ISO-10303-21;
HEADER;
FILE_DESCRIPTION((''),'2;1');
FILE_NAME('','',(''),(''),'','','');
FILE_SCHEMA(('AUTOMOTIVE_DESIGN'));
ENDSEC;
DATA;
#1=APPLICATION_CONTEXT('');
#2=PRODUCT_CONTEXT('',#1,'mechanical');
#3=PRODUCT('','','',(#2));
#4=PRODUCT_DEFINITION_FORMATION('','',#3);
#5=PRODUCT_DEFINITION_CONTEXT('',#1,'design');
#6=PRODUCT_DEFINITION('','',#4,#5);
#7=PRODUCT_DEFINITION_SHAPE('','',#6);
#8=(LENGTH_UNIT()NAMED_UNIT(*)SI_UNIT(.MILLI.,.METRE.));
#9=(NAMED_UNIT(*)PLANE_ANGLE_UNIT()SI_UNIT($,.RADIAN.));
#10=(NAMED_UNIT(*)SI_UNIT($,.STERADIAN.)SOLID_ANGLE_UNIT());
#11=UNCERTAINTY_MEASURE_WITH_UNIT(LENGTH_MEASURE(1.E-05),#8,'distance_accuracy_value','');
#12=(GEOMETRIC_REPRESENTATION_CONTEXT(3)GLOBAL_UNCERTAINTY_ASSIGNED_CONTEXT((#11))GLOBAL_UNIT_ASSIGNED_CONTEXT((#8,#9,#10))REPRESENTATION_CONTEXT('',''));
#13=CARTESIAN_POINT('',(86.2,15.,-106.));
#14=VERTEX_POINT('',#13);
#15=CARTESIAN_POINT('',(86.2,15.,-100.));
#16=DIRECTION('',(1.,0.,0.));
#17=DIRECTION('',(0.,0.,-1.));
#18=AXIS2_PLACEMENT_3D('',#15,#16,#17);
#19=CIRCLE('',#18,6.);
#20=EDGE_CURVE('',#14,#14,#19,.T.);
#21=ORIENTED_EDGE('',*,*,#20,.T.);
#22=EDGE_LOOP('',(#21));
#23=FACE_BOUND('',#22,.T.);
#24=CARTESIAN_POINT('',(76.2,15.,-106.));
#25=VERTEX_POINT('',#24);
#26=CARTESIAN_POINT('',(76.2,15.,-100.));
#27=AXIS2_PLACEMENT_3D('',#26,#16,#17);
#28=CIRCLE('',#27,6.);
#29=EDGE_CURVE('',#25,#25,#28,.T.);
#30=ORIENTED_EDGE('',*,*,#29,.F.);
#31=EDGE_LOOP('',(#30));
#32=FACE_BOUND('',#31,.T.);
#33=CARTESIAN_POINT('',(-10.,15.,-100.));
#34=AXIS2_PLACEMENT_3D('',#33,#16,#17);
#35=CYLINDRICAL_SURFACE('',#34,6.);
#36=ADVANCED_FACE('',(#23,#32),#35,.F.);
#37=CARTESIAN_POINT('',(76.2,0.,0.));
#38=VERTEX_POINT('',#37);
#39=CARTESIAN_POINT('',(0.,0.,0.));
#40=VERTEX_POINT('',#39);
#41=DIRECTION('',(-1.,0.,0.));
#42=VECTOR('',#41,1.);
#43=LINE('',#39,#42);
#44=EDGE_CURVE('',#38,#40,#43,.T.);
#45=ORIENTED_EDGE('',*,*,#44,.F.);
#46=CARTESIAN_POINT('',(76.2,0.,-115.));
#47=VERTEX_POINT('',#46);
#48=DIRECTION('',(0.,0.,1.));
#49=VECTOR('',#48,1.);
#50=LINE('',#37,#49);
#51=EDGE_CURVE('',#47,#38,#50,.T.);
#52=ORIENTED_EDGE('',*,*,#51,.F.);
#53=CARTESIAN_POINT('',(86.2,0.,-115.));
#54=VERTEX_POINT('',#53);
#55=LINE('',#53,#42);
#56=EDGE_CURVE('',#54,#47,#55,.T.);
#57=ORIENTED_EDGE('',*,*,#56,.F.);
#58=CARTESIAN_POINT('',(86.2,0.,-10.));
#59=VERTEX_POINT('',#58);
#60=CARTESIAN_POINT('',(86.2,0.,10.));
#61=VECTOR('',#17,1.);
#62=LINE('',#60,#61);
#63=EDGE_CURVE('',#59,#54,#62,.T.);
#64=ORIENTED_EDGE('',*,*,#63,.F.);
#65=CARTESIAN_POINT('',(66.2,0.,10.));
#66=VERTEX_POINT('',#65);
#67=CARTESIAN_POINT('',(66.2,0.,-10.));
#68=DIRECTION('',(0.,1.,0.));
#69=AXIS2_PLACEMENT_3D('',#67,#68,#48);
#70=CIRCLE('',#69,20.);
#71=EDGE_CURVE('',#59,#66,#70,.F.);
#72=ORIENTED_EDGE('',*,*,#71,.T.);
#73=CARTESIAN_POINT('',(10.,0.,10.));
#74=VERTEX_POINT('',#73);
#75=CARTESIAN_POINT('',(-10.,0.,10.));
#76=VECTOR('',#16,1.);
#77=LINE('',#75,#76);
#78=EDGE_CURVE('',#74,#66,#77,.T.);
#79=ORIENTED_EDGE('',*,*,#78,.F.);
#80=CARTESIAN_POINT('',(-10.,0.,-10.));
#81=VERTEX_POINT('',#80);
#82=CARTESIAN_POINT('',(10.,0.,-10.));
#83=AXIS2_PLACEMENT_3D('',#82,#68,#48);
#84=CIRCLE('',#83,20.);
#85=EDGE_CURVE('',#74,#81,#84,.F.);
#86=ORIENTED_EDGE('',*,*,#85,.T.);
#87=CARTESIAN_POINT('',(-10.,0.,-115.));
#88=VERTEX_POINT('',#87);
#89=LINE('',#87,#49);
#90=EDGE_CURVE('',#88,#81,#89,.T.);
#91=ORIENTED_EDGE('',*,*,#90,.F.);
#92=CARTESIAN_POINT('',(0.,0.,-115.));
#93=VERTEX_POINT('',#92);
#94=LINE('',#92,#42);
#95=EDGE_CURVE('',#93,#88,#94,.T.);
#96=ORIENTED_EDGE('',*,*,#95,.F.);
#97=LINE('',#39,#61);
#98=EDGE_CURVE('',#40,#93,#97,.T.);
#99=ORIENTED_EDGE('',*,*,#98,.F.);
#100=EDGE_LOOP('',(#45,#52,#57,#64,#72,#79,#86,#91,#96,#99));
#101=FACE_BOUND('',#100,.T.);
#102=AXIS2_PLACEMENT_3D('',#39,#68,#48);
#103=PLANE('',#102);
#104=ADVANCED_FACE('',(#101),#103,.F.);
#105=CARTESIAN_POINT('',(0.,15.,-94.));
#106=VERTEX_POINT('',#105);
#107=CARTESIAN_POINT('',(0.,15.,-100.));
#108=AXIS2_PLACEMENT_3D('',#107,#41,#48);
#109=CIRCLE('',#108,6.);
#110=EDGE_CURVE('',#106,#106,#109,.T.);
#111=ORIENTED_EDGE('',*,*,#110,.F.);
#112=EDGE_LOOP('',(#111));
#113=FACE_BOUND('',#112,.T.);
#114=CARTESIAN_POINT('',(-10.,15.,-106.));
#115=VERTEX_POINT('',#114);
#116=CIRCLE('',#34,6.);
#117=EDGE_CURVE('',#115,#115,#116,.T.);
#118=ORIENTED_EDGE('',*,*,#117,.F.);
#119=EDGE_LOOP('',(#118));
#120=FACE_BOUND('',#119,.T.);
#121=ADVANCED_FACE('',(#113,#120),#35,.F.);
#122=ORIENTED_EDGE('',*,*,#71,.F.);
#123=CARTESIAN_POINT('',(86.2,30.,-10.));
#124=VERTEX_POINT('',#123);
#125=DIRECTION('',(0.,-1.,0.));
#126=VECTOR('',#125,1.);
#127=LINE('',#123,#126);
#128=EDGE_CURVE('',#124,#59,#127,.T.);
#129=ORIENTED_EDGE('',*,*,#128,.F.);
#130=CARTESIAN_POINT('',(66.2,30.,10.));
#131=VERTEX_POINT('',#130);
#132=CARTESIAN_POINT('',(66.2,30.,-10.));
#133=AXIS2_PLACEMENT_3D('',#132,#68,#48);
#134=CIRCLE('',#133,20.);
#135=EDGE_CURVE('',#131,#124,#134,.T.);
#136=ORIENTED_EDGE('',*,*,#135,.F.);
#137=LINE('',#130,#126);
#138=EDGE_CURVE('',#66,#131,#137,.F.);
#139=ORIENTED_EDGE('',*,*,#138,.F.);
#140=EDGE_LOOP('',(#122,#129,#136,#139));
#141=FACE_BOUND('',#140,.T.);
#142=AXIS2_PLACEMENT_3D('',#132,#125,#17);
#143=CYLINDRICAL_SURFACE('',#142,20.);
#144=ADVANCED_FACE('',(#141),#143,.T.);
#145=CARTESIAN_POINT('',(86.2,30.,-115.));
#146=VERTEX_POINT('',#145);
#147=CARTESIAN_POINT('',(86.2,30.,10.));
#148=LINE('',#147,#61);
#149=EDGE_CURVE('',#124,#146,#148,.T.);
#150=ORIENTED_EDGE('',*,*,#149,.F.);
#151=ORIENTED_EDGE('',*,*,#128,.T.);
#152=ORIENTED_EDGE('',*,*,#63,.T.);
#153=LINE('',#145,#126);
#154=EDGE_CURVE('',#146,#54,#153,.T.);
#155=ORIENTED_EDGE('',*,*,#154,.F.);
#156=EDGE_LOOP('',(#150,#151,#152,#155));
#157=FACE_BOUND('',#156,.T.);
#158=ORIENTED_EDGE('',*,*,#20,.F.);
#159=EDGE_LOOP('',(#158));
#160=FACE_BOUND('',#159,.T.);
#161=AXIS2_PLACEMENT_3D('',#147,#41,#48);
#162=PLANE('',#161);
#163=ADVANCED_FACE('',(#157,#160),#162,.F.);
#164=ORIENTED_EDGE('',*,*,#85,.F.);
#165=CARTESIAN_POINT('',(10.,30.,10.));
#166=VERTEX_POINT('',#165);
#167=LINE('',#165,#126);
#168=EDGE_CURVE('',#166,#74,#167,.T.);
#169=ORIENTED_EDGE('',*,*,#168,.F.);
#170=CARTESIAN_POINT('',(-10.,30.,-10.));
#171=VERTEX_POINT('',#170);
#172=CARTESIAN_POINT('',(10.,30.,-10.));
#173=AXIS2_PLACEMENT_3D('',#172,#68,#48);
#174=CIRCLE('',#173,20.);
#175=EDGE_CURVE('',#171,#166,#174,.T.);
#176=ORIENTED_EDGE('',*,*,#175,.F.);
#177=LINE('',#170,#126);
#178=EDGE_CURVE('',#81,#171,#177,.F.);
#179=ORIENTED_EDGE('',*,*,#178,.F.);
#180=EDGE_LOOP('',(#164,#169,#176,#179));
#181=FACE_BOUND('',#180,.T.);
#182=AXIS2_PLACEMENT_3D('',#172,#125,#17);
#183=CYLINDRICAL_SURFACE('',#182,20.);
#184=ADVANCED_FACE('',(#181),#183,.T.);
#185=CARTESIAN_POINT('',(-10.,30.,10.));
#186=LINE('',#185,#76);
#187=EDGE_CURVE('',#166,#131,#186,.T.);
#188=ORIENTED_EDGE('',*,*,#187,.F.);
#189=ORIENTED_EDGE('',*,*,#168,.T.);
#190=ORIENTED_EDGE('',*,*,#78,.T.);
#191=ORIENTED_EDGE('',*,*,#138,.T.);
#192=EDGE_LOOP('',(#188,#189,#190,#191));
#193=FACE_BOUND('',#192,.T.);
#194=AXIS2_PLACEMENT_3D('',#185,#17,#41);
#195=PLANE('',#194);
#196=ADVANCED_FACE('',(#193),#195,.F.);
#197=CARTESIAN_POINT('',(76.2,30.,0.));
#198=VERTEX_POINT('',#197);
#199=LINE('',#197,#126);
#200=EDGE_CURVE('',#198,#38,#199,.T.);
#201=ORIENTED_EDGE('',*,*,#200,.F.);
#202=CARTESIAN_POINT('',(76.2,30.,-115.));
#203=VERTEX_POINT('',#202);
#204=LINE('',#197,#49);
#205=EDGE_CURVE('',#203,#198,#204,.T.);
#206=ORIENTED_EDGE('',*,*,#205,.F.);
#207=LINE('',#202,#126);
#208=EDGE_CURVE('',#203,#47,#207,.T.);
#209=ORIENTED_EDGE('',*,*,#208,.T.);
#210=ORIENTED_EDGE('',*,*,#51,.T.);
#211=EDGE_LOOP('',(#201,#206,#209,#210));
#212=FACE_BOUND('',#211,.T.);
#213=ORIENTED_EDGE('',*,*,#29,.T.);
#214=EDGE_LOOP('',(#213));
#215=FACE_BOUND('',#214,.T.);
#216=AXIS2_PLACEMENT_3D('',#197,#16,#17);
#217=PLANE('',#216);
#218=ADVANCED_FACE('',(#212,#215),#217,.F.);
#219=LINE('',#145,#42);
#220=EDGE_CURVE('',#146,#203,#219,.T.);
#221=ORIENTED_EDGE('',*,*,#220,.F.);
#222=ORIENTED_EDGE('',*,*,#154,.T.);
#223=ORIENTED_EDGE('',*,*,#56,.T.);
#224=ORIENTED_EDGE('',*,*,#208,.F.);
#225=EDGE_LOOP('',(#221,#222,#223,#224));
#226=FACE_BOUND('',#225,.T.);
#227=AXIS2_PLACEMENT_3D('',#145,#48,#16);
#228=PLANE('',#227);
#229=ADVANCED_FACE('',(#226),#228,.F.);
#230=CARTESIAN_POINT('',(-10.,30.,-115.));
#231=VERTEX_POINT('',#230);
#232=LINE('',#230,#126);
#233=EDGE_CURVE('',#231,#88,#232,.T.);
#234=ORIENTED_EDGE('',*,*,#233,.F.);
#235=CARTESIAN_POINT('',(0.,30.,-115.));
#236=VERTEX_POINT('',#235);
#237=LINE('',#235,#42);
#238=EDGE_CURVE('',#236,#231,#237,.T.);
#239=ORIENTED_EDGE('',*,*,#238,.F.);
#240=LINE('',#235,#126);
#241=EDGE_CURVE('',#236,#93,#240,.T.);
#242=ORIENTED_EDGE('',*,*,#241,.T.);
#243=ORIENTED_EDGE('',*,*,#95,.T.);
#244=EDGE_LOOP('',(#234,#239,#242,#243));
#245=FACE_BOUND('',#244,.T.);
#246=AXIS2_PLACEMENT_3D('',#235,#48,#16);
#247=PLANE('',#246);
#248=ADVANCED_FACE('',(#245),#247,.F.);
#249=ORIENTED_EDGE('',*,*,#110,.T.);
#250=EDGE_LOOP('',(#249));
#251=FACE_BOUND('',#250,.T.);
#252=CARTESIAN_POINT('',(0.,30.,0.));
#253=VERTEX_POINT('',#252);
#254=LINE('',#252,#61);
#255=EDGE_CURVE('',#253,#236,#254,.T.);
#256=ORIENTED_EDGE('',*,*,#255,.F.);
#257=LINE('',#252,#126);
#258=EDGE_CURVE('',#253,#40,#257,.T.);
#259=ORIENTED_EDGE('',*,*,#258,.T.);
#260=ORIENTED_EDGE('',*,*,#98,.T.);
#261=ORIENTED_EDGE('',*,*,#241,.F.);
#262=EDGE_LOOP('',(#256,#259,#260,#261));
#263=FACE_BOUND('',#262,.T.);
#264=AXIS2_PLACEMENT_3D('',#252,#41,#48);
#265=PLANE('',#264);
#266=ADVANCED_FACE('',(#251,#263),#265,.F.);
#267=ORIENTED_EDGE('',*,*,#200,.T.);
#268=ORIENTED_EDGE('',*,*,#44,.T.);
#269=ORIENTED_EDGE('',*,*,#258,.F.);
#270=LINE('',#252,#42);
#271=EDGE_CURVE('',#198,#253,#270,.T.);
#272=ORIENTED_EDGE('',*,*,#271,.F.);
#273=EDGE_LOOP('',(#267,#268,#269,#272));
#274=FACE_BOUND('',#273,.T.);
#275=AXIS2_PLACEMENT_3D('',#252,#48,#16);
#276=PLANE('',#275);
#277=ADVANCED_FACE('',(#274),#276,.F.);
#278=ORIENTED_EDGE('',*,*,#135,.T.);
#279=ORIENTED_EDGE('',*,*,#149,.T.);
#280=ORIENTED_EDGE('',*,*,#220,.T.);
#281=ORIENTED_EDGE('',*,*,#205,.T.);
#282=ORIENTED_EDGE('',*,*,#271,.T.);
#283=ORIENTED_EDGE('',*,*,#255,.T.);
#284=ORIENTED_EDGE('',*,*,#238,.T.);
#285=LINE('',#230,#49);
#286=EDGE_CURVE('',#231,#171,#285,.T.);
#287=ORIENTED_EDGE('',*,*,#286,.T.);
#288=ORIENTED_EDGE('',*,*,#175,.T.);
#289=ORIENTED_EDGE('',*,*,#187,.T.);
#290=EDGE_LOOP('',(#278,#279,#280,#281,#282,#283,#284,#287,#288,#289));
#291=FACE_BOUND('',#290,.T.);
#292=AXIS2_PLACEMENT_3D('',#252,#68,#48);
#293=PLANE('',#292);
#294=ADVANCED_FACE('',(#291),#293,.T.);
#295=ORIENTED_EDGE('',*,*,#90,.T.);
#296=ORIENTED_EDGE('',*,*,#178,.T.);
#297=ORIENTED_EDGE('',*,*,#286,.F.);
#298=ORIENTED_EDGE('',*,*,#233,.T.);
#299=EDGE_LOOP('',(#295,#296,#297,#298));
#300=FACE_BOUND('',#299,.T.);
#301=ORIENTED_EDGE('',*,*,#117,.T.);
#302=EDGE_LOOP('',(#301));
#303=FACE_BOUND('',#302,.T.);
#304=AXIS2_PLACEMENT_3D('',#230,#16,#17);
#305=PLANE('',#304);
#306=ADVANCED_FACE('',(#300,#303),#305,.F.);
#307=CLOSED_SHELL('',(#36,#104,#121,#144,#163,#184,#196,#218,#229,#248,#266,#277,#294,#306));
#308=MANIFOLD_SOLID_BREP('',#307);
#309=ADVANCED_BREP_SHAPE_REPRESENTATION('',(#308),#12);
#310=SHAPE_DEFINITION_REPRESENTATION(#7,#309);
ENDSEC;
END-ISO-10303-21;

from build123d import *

# Parameters (mm, degrees)
BOSS_EXTRUDE1_DEPTH = 30
FILLET1_R           = 20
SKETCH2_R           = 6
CUT_EXTRUDE1_DEPTH  = 97.2


with BuildPart() as part:
    # Sketch1 → Boss-Extrude1 (new body)
    with BuildSketch(Plane(origin=(0, 0, 0), x_dir=(1, 0, 0), z_dir=(0, 1, 0))):
        Polygon((0, 115), (-10, 115), (-10, -10), (86.2, -10), (86.2, 115), (76.2, 115), (76.2, 0), (0, 0), align=None)
    extrude(amount=BOSS_EXTRUDE1_DEPTH)

    # Fillet1
    fillet1_edges = [part.edges().sort_by_distance(p)[0] for p in [
        (86.2, 15, 10),
        (-10, 15, 10),
    ]]
    fillet(fillet1_edges, radius=FILLET1_R)

    # Sketch2 → Cut-Extrude1 (cut, through all)
    with BuildSketch(Plane(origin=(86.2, 0, 0), x_dir=(0, 0, -1), z_dir=(1, 0, 0))):
        with Locations((100, 15)):
            Circle(SKETCH2_R)
    extrude(amount=-CUT_EXTRUDE1_DEPTH, mode=Mode.SUBTRACT)


solid = part.part
